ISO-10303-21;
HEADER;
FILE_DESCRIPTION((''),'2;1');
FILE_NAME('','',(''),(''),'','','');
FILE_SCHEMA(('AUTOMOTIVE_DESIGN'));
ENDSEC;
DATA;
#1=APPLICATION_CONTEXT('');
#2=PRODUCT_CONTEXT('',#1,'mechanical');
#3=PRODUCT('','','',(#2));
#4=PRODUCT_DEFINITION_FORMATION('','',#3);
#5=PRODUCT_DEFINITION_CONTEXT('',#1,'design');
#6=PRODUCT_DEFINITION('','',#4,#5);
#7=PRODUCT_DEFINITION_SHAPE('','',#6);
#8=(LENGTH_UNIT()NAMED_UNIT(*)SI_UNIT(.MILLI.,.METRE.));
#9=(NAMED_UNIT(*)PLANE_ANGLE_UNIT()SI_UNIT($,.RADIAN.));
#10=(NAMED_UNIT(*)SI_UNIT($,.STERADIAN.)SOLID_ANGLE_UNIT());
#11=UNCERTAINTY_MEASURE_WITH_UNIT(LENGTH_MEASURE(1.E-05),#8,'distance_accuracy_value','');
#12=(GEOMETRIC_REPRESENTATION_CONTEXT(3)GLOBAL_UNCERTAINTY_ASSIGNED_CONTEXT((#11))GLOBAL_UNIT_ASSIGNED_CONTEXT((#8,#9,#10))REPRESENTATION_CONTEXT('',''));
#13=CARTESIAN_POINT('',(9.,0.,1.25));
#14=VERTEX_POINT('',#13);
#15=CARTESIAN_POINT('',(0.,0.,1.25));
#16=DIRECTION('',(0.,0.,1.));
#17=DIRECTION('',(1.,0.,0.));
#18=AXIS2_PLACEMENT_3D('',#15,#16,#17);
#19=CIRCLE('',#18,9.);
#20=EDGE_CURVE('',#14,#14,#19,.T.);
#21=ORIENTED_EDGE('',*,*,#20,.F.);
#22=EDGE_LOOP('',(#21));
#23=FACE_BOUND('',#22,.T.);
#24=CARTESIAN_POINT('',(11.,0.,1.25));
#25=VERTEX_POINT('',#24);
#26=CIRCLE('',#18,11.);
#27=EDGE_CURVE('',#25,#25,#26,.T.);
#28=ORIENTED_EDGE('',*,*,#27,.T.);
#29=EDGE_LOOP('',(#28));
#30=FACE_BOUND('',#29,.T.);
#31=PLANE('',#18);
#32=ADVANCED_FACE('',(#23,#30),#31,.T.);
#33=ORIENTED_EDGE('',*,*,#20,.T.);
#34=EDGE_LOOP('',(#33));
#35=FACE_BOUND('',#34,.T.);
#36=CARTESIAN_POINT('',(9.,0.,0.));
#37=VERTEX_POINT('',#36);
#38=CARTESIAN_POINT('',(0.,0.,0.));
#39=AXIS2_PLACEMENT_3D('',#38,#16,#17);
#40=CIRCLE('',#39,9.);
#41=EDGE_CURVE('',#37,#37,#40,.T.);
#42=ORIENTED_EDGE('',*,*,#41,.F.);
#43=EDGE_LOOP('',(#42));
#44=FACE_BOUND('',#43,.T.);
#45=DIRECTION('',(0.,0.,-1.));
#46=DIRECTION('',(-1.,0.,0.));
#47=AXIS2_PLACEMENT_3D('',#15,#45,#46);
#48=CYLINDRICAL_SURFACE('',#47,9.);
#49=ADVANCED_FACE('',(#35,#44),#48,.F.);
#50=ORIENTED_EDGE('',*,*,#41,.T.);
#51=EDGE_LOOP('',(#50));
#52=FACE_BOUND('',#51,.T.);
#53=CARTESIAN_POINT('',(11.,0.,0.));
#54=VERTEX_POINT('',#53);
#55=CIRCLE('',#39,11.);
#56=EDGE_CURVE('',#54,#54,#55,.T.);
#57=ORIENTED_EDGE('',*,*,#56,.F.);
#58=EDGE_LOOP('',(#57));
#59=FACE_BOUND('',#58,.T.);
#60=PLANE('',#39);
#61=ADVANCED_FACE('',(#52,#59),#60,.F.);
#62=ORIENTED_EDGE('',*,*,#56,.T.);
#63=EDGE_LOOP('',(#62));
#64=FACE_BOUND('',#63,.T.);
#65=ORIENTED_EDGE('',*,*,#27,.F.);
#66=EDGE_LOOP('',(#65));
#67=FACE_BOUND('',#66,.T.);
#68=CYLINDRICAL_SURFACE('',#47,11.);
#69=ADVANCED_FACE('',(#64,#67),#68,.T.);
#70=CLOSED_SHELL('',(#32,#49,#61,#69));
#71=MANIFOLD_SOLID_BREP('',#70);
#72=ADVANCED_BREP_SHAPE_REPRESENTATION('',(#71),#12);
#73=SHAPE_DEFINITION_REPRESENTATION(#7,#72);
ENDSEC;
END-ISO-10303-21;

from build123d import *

# Parameters (mm, degrees)
ESQUISSE1_R          = 11
ESQUISSE1_R_2        = 9
BASE_EXTRUSION_DEPTH = 1.25


with BuildPart() as part:
    # Esquisse1 → Base-Extrusion (new body)
    with BuildSketch(Plane.XY):
        Circle(ESQUISSE1_R)
        Circle(ESQUISSE1_R_2, mode=Mode.SUBTRACT)
    extrude(amount=BASE_EXTRUSION_DEPTH)


solid = part.part
